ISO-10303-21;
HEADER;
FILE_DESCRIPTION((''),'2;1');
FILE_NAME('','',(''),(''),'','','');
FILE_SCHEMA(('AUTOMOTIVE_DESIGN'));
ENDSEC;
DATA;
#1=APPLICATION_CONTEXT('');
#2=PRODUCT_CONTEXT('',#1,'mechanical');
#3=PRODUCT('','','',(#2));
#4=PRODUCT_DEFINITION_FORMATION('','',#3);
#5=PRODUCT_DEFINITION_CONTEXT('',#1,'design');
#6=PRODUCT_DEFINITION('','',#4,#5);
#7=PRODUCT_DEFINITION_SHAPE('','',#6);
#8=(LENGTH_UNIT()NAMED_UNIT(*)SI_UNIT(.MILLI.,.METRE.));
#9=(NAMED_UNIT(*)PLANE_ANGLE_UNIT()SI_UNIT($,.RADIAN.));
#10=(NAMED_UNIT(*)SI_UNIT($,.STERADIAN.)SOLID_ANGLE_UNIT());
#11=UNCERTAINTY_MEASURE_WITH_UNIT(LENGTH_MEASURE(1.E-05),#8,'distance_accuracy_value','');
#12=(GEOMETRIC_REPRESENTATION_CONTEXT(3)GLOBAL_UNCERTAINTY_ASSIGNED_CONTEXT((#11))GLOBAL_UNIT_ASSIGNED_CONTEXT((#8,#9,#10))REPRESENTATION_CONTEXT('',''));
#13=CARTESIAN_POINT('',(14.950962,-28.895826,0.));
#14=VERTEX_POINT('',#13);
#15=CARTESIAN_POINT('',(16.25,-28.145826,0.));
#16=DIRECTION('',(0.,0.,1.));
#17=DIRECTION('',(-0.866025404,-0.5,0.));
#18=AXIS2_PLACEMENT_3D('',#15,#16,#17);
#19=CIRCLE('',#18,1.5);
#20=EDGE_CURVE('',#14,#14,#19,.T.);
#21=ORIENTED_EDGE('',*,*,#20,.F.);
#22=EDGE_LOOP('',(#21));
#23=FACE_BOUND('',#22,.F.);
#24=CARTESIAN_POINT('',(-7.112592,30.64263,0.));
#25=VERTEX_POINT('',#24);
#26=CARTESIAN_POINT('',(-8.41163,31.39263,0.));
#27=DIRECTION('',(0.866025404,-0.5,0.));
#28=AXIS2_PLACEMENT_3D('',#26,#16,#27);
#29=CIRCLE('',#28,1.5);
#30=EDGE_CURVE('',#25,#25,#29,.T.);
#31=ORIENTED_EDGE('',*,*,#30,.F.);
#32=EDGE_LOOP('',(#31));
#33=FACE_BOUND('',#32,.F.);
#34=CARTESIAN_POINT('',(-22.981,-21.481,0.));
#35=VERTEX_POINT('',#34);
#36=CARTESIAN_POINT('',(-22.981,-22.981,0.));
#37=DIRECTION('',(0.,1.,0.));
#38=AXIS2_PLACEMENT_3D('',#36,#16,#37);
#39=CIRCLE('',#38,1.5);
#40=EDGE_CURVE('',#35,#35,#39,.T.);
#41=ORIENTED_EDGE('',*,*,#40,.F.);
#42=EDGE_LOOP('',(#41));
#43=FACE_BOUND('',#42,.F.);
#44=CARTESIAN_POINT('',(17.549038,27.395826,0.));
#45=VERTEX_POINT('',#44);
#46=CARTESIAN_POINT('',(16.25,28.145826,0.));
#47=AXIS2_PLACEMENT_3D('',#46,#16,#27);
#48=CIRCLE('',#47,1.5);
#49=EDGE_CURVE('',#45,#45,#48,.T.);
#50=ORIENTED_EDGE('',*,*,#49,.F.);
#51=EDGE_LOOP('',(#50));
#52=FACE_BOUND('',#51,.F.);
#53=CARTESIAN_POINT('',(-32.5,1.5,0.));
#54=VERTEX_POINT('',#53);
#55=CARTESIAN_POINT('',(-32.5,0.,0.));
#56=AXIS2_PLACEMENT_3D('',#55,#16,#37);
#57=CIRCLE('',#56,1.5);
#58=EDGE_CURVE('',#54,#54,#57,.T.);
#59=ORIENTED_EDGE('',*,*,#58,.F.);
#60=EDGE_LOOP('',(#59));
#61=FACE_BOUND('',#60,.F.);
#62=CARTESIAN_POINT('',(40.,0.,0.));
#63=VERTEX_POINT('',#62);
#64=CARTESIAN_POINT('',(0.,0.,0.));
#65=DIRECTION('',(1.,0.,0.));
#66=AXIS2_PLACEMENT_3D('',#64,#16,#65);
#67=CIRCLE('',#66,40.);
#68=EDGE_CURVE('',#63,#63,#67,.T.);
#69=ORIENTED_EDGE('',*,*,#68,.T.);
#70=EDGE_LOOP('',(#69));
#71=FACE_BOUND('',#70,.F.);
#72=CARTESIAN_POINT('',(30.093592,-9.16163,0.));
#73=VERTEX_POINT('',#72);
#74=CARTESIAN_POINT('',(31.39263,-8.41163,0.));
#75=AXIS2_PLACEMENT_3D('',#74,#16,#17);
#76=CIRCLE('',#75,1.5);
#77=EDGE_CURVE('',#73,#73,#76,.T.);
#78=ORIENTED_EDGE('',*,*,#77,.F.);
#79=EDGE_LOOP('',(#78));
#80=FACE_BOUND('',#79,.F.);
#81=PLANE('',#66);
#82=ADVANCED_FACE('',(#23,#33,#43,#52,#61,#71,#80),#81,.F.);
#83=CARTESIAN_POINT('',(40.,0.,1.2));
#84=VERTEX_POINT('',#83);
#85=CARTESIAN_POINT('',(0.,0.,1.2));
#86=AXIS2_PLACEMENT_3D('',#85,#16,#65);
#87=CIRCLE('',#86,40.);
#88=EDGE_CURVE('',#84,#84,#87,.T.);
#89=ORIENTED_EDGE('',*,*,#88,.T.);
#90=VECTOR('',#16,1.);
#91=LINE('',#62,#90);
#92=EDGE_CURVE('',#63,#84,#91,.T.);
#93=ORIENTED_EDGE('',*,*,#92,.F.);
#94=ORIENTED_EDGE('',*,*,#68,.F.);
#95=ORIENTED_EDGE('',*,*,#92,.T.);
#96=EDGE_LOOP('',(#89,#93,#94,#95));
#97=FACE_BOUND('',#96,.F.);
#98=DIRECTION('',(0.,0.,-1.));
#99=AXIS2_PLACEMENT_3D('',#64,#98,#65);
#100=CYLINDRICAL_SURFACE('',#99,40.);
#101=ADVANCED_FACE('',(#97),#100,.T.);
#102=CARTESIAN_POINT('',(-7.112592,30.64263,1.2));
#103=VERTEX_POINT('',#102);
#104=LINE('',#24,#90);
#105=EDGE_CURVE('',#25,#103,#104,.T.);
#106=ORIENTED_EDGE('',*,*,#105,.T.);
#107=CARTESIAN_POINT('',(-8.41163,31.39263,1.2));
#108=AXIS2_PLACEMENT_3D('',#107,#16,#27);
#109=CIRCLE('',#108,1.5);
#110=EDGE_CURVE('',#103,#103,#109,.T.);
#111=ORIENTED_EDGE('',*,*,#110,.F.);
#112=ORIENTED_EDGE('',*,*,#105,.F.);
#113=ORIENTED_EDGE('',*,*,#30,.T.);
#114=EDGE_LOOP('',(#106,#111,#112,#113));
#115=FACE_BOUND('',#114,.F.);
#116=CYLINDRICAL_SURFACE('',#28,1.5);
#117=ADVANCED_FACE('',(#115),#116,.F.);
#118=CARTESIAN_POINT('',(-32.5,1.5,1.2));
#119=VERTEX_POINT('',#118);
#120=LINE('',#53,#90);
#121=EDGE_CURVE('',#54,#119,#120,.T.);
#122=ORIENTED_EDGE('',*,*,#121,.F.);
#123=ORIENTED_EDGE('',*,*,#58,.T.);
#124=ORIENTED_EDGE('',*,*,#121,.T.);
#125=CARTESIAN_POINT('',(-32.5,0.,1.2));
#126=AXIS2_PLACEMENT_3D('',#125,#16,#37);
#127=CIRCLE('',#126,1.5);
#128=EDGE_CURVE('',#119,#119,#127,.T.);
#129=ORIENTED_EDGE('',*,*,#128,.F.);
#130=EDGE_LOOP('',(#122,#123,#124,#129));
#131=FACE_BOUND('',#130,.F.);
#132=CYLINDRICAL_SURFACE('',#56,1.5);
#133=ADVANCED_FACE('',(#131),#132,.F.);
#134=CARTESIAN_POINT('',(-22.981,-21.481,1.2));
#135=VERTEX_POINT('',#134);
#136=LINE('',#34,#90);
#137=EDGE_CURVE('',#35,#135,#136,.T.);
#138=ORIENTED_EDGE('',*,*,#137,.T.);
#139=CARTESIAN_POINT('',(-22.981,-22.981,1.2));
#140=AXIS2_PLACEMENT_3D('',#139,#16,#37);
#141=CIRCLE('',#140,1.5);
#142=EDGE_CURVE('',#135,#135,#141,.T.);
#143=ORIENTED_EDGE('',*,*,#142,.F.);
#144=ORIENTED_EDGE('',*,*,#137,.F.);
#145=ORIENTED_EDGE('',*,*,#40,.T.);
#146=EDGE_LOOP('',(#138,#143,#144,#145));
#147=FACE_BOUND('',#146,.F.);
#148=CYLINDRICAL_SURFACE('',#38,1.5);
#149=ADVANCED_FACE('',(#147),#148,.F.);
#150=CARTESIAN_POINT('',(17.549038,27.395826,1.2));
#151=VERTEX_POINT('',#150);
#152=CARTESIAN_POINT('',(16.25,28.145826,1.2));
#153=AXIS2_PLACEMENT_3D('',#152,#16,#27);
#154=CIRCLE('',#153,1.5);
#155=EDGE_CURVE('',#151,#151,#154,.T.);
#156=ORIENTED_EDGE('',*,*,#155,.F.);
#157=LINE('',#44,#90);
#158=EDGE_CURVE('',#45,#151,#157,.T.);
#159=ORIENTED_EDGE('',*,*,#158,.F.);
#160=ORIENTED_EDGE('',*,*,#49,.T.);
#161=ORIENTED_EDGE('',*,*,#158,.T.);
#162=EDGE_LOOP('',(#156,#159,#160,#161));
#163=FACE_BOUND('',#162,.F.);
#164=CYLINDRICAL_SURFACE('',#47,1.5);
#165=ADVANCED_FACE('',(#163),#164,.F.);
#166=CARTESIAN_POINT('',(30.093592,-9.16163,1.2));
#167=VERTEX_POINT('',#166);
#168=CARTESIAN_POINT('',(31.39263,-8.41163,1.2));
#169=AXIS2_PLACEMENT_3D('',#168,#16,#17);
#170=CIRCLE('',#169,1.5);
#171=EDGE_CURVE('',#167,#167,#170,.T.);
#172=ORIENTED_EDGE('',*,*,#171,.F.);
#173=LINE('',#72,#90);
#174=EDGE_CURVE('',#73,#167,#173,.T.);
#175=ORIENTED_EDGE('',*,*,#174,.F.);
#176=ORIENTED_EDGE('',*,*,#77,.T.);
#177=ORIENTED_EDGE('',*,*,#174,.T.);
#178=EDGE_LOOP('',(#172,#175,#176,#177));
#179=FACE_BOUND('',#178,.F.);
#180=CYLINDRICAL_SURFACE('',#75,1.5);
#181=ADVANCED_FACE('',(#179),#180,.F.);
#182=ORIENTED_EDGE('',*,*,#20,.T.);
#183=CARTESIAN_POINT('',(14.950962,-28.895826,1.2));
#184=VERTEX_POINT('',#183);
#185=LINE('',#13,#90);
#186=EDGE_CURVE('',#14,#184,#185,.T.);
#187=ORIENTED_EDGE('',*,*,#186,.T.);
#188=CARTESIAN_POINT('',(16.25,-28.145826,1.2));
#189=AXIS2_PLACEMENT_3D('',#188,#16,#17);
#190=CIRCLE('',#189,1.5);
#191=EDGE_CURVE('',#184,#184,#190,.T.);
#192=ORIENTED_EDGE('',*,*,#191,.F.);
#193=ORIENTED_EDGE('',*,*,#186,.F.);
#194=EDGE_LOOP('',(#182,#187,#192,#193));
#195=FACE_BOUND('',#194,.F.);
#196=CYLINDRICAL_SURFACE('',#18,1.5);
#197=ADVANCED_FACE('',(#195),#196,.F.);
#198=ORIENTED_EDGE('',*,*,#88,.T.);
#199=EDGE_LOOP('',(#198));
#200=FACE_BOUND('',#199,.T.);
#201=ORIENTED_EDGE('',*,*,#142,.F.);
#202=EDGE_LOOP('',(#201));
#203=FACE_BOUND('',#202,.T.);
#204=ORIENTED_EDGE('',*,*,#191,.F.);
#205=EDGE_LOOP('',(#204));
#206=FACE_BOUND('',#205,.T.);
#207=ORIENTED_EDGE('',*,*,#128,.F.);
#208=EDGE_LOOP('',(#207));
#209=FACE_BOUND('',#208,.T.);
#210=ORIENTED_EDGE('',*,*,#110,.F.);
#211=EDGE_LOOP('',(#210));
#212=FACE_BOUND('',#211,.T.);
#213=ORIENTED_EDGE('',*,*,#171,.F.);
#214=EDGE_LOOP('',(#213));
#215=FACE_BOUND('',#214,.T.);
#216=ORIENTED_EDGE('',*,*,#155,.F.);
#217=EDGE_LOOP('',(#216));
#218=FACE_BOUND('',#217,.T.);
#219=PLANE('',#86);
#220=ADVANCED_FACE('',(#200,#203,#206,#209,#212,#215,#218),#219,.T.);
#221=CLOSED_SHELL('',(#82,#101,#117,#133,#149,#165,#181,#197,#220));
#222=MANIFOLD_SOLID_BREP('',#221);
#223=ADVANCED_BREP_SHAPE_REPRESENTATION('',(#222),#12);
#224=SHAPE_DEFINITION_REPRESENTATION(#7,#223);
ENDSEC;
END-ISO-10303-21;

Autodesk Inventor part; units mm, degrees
ref_plane "YZ Plane" through (0, 0, 0) normal (1, 0, 0) x (0, 1, 0)
ref_plane "XZ Plane" through (0, 0, 0) normal (0, 1, 0) x (-1, 0, 0)
ref_plane "XY Plane" through (0, 0, 0) normal (0, 0, 1) x (1, 0, 0)
sketch "Sketch1" plane through (0, 0, 0) normal (0, 0, 1) x (1, 0, 0)
  circle A0 centre (0, 0) radius 40
  circle A1 centre (0, 0) radius 32.5
  line L0 (0, 0) -> (-26.7142, -26.7142)
  line L1 (0, 0) -> (37.7796, 0) construction
  point P0 (-32.5, 0)
  point P1 (-32.5, 0)
  point P2 (-22.981, -22.981)
  point P3 (-32.5, 0)
  dimension "d0" = 80
  dimension "d1" = 65
  dimension "d3" = 135
extrude "Extrusion1" add sketch "Sketch1" along normal blind 1.2 contours A0 | A1
hole "Hole1" at (-32.5, 0, 0) at (-22.981, -22.981, 0) direction (0, 0, 1) diameter 3 end through all
pattern_circular "Circular Pattern1" count 3 over 360 about axis through (0, 0, -10) along (0, 0, 1) of "Hole1"
properties part number "CNCM_STEEL_Bowl_Electromagnet_Plate" material "Steel"
